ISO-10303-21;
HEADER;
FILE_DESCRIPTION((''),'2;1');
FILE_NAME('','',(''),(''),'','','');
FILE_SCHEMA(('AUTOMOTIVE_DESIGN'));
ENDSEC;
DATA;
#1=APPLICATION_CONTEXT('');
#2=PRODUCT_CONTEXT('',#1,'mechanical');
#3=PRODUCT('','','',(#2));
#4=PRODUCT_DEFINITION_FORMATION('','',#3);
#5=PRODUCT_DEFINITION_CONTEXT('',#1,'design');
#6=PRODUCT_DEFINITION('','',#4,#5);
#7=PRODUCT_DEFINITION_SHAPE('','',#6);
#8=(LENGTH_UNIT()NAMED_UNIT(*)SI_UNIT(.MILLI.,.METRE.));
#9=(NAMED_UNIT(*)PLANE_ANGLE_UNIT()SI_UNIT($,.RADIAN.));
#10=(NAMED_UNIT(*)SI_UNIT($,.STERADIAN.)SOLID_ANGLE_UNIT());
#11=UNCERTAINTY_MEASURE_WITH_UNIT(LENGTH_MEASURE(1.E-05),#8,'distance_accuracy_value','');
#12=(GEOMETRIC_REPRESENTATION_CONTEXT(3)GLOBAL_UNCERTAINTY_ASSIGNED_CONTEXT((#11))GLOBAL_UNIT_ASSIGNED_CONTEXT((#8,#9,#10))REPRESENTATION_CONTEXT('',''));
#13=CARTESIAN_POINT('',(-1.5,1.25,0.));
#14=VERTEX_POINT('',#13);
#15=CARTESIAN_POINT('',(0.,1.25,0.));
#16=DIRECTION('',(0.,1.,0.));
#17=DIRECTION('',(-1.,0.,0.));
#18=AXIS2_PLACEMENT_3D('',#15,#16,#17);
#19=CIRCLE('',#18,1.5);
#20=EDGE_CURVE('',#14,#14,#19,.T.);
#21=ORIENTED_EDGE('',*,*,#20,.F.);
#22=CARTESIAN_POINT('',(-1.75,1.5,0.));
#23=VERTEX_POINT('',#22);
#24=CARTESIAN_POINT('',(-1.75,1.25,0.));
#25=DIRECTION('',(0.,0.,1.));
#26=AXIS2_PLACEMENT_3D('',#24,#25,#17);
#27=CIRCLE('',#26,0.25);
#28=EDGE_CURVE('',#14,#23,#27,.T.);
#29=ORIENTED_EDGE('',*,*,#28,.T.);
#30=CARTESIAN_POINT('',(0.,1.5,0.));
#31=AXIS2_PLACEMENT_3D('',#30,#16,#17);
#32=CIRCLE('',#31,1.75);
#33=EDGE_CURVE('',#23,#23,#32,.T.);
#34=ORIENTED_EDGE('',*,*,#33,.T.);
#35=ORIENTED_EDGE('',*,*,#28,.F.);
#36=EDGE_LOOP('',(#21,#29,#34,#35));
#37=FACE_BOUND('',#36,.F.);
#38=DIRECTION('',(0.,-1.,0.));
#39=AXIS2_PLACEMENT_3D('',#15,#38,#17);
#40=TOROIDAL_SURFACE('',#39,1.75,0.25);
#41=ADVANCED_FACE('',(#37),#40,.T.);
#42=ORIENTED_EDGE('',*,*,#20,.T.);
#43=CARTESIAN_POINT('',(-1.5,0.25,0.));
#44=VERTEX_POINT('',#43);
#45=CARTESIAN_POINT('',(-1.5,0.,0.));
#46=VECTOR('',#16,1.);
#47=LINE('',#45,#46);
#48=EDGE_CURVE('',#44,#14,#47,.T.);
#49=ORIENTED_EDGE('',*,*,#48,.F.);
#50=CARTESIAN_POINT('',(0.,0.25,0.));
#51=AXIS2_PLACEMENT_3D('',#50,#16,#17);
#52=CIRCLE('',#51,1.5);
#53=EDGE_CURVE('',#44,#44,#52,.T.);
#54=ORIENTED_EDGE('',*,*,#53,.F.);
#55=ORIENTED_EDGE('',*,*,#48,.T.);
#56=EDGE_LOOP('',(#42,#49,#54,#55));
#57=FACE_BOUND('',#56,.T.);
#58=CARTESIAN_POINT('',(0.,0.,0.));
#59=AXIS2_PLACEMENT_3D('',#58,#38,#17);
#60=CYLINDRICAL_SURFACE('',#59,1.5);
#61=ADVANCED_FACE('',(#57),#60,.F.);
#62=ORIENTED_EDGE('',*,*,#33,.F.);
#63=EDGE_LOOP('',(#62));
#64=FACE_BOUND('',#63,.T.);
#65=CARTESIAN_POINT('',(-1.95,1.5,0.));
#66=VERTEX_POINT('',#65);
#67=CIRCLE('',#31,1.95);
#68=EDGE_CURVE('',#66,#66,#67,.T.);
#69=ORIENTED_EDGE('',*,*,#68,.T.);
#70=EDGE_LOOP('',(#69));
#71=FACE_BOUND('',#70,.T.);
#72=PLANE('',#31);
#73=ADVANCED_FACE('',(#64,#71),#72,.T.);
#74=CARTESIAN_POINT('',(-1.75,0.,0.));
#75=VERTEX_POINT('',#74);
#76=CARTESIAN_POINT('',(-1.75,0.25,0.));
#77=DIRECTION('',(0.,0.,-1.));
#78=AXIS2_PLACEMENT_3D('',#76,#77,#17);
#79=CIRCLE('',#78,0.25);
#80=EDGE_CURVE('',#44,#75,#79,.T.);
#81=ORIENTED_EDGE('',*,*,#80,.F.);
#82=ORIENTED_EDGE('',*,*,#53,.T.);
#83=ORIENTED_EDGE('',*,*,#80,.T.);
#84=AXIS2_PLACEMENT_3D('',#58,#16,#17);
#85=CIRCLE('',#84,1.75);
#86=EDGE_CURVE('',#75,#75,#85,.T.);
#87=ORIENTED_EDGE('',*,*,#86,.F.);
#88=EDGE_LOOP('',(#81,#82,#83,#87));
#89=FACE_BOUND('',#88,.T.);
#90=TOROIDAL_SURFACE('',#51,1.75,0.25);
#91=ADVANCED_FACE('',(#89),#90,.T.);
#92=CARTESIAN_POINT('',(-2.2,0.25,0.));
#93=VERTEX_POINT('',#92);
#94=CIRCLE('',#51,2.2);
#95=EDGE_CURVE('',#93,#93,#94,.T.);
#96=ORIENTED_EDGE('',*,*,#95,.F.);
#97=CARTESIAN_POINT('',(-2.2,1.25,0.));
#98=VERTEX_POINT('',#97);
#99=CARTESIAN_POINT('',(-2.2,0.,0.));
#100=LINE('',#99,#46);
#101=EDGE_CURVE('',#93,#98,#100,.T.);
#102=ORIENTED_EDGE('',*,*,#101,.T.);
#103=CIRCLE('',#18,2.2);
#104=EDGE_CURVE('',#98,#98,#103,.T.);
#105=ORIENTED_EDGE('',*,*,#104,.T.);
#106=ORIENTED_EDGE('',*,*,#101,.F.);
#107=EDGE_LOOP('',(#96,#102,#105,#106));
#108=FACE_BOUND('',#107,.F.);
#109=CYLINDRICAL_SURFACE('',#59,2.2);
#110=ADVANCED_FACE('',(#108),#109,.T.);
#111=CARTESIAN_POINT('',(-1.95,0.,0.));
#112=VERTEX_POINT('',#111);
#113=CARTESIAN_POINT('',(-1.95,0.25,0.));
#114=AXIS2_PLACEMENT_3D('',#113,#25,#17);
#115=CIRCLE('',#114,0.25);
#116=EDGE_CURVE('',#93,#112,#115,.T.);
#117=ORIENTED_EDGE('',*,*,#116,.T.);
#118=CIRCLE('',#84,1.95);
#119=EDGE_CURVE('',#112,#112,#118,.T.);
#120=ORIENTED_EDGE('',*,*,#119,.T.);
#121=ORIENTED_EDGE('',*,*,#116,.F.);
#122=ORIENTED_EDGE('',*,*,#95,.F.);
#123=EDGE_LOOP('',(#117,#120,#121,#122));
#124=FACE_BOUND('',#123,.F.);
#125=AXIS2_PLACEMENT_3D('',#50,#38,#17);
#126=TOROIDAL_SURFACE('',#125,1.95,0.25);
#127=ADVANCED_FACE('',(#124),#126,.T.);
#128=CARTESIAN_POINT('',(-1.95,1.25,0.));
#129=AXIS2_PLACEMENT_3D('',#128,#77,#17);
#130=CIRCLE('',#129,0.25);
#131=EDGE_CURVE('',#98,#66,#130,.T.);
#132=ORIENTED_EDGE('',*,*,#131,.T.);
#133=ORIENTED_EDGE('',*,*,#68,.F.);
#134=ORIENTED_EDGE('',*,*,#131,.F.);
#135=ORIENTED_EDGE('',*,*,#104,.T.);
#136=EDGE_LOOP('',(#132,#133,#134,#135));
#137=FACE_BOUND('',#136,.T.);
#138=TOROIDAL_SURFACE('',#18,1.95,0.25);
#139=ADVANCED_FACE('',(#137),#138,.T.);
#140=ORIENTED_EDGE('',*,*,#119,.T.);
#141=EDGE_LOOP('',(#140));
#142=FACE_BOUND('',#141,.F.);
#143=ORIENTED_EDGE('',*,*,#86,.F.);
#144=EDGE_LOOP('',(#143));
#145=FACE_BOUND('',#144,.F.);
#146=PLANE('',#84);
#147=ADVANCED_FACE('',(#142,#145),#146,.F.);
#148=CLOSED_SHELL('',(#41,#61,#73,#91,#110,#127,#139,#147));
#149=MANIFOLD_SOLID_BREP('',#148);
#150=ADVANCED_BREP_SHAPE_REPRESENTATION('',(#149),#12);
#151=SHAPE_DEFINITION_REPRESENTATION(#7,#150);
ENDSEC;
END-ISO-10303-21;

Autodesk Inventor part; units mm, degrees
ref_plane "YZ Plane" through (0, 0, 0) normal (1, 0, 0) x (0, 1, 0)
ref_plane "XZ Plane" through (0, 0, 0) normal (0, 1, 0) x (-1, 0, 0)
ref_plane "XY Plane" through (0, 0, 0) normal (0, 0, 1) x (1, 0, 0)
sketch "Sketch1" plane through (0, 0, 0) normal (0, 1, 0) x (-1, 0, 0)
  circle A0 centre (0, 0) radius 1.5
  circle A1 centre (0, 0) radius 2.2
  dimension "d0" = 3
  dimension "d1" = 0.7
extrude "Extrusion1" add sketch "Sketch1" along normal blind 1.5
fillet "Fillet1" radius 0.25 4 edges at (2.2, 1.5, 0) (1.5, 1.5, 0) (2.2, 0, 0) (1.5, 0, 0)
properties part number "pin_fricition_ring_1"
